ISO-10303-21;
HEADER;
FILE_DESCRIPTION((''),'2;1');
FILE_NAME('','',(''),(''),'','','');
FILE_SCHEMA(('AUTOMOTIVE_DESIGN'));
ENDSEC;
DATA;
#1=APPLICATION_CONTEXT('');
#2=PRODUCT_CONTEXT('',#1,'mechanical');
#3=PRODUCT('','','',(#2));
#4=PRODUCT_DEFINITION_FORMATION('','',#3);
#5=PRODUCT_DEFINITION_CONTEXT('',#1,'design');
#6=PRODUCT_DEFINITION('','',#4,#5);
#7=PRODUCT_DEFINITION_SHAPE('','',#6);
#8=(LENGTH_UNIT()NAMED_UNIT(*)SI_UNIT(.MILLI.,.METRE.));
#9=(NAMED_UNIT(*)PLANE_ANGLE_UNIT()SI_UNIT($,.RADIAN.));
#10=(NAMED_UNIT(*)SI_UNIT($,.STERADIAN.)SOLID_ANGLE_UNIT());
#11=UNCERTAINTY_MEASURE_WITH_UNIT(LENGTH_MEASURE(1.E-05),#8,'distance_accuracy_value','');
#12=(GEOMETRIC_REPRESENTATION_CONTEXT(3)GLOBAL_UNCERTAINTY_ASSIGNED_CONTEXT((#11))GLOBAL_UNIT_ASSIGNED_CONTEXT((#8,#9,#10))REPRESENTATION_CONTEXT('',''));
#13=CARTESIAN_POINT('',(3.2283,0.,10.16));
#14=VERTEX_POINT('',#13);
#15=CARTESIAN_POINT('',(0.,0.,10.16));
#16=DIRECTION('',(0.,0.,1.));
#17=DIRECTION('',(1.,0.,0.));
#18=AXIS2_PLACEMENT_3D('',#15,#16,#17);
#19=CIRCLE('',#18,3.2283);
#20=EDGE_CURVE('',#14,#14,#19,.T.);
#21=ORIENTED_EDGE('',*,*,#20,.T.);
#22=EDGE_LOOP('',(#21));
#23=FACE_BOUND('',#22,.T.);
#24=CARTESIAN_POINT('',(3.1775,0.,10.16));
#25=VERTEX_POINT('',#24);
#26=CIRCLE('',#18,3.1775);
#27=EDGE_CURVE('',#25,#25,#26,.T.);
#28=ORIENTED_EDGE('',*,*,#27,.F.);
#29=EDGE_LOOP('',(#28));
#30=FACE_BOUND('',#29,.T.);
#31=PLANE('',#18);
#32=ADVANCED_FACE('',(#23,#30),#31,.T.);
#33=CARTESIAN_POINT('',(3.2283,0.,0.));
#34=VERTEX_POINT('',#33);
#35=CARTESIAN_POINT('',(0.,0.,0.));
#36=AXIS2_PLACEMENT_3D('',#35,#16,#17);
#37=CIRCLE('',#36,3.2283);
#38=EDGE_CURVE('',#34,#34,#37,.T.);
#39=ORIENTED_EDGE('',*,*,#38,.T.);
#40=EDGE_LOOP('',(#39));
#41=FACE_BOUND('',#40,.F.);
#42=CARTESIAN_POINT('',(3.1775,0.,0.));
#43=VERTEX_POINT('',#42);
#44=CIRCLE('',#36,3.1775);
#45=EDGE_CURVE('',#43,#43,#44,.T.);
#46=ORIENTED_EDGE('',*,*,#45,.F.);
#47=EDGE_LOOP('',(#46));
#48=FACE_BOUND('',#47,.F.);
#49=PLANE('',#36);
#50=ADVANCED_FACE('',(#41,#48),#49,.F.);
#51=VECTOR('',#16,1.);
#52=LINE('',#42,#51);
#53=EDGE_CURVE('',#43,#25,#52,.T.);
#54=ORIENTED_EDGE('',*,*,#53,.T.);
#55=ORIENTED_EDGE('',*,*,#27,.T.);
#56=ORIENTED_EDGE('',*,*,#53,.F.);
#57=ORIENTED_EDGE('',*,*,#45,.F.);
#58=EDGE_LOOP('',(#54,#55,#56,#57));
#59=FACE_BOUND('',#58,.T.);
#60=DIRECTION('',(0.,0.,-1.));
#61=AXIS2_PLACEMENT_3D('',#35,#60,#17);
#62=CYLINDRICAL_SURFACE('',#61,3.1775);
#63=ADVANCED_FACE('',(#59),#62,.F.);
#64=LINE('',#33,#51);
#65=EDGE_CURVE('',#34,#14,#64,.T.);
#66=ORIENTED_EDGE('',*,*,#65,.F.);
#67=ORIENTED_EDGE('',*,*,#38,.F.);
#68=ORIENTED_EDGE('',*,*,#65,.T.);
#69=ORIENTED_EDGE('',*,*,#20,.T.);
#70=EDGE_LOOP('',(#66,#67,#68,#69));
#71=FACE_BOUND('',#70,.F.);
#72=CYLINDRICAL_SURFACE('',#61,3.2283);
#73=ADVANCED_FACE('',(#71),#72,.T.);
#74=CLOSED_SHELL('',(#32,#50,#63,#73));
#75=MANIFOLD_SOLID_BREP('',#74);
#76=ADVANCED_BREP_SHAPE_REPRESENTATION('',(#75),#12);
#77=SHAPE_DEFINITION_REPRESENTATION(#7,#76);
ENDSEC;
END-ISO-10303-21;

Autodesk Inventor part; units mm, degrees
ref_plane "YZ Plane" through (0, 0, 0) normal (1, 0, 0) x (0, 1, 0)
ref_plane "XZ Plane" through (0, 0, 0) normal (0, 1, 0) x (-1, 0, 0)
ref_plane "XY Plane" through (0, 0, 0) normal (0, 0, 1) x (1, 0, 0)
sketch "Sketch1" plane through (0, 0, 0) normal (0, 0, 1) x (1, 0, 0)
  circle A0 centre (0, 0) radius 3.175 projected
  circle A1 centre (0, 0) radius 1.8605 projected
  circle A2 centre (0, 0) radius 3.1775
  circle A3 centre (0, 0) radius 3.2283
  dimension "d0" = 0.0508
extrude "Extrusion1" add sketch "Sketch1" along normal blind 10.16 contours A3
properties part number "Tape"
